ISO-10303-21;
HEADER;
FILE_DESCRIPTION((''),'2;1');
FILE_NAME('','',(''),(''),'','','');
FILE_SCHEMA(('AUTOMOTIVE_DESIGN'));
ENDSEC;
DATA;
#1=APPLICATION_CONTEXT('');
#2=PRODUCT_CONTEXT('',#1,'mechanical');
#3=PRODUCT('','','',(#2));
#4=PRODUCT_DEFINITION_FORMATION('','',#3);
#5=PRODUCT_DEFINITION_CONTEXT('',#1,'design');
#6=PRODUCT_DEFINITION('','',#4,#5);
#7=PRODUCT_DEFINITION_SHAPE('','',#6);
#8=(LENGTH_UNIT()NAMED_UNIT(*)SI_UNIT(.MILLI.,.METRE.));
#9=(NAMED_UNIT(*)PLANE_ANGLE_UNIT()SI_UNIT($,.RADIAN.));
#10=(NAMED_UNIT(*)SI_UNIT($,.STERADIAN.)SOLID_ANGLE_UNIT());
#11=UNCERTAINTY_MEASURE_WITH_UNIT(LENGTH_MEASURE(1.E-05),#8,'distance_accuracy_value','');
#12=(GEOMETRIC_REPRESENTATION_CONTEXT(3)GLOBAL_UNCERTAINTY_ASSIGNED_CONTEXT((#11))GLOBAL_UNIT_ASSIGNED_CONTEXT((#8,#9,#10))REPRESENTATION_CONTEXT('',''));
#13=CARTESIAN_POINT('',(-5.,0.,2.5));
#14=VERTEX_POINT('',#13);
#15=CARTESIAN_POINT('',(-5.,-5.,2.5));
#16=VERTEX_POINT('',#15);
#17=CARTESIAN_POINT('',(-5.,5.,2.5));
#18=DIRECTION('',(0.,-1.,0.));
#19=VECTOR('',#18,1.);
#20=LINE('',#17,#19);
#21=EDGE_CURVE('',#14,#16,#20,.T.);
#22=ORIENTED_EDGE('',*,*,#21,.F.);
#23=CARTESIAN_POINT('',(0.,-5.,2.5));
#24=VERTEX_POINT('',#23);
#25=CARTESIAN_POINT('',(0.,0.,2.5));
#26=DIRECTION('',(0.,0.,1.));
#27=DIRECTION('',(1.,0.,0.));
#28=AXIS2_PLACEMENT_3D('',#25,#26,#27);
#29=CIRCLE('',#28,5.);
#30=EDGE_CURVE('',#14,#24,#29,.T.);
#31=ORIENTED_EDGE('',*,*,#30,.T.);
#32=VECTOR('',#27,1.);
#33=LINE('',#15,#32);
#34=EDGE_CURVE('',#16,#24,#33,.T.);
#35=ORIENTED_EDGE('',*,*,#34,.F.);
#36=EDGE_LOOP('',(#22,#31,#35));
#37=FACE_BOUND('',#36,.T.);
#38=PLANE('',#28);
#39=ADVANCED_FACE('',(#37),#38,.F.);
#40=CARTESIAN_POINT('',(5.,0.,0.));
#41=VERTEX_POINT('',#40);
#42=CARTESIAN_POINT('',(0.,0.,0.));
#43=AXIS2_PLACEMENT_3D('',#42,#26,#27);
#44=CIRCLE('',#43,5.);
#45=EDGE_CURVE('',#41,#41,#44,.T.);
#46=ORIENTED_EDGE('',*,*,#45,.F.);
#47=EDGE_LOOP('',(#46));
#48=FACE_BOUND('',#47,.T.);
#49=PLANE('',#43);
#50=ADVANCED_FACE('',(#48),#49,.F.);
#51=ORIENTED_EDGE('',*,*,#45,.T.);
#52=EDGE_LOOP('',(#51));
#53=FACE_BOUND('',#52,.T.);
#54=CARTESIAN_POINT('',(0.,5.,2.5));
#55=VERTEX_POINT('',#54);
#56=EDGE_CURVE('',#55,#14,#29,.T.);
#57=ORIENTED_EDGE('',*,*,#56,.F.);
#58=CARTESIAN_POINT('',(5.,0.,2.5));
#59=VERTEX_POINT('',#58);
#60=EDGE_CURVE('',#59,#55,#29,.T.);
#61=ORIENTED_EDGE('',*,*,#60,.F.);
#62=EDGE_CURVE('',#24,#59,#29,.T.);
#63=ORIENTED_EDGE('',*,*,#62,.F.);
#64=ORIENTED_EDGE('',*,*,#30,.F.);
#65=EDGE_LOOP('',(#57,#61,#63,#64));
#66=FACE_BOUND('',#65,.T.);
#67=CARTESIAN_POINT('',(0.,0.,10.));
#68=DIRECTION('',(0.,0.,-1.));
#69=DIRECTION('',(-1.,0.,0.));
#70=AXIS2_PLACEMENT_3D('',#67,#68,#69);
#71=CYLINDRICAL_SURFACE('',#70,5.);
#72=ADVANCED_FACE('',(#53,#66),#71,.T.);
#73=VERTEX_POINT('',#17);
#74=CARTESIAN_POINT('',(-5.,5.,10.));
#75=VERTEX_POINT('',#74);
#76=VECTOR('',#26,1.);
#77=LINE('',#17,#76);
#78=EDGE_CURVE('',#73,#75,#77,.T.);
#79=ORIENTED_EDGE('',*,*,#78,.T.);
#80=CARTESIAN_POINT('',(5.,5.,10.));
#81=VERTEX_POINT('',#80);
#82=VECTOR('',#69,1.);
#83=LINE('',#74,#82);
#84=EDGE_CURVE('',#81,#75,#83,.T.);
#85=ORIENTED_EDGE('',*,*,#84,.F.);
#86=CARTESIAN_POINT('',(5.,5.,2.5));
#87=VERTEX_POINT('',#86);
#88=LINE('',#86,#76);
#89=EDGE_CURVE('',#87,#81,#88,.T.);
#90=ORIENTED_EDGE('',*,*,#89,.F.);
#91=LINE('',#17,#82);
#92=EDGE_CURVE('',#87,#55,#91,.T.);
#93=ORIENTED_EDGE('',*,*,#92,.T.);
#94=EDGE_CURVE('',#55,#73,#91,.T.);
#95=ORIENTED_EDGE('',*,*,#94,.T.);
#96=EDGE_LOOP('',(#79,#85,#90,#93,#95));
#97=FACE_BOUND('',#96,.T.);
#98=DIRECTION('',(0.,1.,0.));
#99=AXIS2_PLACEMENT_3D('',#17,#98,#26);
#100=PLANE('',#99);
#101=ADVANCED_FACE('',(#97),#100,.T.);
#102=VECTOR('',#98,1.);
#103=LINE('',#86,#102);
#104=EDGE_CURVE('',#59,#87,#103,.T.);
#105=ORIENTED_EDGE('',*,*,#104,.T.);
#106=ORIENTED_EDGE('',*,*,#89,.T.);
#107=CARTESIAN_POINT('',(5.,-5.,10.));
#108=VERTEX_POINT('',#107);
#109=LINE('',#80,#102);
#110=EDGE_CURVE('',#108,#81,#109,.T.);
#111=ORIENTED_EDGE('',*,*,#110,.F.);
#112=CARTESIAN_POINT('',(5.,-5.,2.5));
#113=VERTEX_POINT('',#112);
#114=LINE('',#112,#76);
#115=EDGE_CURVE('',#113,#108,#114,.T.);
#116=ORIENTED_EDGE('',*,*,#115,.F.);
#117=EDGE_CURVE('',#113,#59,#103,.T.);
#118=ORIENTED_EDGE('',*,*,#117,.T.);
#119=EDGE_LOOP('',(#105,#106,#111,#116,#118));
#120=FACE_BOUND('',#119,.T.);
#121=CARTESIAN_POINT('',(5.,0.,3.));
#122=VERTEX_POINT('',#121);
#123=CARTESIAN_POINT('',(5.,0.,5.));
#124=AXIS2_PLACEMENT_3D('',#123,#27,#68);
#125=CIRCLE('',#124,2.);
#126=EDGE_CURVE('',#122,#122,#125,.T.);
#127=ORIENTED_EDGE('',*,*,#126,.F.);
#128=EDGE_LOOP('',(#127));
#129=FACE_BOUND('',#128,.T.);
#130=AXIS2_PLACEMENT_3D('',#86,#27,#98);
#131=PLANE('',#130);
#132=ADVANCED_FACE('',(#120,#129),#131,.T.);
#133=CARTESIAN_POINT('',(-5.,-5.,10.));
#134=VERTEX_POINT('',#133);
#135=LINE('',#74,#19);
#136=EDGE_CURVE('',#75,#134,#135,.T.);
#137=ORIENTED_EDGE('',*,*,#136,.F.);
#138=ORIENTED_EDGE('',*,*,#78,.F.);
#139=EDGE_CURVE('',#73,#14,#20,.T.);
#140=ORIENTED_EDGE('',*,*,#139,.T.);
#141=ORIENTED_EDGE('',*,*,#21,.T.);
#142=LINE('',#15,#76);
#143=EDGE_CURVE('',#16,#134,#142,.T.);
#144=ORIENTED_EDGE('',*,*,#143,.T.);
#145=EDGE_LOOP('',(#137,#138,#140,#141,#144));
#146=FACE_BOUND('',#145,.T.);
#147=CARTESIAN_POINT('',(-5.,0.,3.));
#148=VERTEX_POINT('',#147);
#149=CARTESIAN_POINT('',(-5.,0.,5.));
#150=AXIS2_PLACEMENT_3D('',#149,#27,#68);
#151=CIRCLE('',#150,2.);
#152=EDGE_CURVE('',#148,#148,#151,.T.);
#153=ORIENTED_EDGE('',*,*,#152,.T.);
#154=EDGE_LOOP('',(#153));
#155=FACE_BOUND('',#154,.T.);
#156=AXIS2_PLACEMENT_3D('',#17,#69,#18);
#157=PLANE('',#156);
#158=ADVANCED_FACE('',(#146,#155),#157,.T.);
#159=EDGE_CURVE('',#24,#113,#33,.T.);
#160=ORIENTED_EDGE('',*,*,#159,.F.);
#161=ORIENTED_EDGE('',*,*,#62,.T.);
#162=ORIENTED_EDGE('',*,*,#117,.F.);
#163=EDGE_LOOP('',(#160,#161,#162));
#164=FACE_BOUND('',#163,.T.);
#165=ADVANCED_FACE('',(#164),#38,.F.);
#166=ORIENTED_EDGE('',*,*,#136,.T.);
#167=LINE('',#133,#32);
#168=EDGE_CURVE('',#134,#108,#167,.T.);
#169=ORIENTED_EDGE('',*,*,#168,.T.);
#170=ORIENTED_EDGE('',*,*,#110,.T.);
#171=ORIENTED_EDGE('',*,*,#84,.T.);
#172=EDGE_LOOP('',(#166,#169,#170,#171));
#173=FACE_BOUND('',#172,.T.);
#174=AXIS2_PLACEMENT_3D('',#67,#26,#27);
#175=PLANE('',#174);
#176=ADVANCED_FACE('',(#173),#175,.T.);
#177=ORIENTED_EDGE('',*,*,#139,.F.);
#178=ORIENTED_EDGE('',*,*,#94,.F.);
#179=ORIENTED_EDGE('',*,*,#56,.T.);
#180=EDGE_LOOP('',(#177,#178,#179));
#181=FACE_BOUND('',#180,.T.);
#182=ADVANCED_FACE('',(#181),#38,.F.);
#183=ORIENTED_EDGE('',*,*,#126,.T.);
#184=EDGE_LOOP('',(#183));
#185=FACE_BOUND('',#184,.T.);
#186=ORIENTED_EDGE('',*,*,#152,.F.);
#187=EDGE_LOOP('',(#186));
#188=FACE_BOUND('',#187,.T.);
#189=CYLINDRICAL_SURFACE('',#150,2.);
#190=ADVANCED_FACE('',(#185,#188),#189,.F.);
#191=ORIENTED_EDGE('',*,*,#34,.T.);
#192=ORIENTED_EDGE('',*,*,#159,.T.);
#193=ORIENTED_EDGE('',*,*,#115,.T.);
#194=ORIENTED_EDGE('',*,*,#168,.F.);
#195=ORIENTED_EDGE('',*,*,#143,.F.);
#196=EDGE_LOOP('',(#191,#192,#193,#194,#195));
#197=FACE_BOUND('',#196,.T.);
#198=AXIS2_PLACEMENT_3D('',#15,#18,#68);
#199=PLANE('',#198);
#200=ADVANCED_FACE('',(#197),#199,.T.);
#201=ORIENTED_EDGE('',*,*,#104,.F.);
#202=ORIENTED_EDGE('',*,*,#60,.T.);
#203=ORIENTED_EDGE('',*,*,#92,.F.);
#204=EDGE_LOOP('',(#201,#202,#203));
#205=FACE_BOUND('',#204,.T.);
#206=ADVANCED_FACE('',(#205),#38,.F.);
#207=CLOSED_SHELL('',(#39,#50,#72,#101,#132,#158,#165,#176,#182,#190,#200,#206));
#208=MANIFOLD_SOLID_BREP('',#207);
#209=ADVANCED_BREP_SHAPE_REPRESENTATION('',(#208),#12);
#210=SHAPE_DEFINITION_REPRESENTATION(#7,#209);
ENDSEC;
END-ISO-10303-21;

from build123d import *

# Parameters (mm, degrees)
SKETCH1_R           = 5
BOSS_EXTRUDE1_DEPTH = 10
SKETCH3_W           = 10
SKETCH3_H           = 10
BOSS_EXTRUDE2_DEPTH = 7.5
SKETCH2_R           = 2
CUT_EXTRUDE1_DEPTH  = 11


with BuildPart() as part:
    # Sketch1 → Boss-Extrude1 (new body)
    with BuildSketch(Plane.XY):
        Circle(SKETCH1_R)
    extrude(amount=BOSS_EXTRUDE1_DEPTH)

    # Sketch3 → Boss-Extrude2 (add)
    with BuildSketch(Plane.XY.offset(10)):
        Rectangle(SKETCH3_W, SKETCH3_H)
    extrude(amount=-BOSS_EXTRUDE2_DEPTH)

    # Sketch2 → Cut-Extrude1 (cut, through all)
    with BuildSketch(Plane(origin=(5, 0, 0), x_dir=(0, 0, -1), z_dir=(1, 0, 0))):
        with Locations((-5, 0)):
            Circle(SKETCH2_R)
    extrude(amount=-CUT_EXTRUDE1_DEPTH, mode=Mode.SUBTRACT)


solid = part.part
